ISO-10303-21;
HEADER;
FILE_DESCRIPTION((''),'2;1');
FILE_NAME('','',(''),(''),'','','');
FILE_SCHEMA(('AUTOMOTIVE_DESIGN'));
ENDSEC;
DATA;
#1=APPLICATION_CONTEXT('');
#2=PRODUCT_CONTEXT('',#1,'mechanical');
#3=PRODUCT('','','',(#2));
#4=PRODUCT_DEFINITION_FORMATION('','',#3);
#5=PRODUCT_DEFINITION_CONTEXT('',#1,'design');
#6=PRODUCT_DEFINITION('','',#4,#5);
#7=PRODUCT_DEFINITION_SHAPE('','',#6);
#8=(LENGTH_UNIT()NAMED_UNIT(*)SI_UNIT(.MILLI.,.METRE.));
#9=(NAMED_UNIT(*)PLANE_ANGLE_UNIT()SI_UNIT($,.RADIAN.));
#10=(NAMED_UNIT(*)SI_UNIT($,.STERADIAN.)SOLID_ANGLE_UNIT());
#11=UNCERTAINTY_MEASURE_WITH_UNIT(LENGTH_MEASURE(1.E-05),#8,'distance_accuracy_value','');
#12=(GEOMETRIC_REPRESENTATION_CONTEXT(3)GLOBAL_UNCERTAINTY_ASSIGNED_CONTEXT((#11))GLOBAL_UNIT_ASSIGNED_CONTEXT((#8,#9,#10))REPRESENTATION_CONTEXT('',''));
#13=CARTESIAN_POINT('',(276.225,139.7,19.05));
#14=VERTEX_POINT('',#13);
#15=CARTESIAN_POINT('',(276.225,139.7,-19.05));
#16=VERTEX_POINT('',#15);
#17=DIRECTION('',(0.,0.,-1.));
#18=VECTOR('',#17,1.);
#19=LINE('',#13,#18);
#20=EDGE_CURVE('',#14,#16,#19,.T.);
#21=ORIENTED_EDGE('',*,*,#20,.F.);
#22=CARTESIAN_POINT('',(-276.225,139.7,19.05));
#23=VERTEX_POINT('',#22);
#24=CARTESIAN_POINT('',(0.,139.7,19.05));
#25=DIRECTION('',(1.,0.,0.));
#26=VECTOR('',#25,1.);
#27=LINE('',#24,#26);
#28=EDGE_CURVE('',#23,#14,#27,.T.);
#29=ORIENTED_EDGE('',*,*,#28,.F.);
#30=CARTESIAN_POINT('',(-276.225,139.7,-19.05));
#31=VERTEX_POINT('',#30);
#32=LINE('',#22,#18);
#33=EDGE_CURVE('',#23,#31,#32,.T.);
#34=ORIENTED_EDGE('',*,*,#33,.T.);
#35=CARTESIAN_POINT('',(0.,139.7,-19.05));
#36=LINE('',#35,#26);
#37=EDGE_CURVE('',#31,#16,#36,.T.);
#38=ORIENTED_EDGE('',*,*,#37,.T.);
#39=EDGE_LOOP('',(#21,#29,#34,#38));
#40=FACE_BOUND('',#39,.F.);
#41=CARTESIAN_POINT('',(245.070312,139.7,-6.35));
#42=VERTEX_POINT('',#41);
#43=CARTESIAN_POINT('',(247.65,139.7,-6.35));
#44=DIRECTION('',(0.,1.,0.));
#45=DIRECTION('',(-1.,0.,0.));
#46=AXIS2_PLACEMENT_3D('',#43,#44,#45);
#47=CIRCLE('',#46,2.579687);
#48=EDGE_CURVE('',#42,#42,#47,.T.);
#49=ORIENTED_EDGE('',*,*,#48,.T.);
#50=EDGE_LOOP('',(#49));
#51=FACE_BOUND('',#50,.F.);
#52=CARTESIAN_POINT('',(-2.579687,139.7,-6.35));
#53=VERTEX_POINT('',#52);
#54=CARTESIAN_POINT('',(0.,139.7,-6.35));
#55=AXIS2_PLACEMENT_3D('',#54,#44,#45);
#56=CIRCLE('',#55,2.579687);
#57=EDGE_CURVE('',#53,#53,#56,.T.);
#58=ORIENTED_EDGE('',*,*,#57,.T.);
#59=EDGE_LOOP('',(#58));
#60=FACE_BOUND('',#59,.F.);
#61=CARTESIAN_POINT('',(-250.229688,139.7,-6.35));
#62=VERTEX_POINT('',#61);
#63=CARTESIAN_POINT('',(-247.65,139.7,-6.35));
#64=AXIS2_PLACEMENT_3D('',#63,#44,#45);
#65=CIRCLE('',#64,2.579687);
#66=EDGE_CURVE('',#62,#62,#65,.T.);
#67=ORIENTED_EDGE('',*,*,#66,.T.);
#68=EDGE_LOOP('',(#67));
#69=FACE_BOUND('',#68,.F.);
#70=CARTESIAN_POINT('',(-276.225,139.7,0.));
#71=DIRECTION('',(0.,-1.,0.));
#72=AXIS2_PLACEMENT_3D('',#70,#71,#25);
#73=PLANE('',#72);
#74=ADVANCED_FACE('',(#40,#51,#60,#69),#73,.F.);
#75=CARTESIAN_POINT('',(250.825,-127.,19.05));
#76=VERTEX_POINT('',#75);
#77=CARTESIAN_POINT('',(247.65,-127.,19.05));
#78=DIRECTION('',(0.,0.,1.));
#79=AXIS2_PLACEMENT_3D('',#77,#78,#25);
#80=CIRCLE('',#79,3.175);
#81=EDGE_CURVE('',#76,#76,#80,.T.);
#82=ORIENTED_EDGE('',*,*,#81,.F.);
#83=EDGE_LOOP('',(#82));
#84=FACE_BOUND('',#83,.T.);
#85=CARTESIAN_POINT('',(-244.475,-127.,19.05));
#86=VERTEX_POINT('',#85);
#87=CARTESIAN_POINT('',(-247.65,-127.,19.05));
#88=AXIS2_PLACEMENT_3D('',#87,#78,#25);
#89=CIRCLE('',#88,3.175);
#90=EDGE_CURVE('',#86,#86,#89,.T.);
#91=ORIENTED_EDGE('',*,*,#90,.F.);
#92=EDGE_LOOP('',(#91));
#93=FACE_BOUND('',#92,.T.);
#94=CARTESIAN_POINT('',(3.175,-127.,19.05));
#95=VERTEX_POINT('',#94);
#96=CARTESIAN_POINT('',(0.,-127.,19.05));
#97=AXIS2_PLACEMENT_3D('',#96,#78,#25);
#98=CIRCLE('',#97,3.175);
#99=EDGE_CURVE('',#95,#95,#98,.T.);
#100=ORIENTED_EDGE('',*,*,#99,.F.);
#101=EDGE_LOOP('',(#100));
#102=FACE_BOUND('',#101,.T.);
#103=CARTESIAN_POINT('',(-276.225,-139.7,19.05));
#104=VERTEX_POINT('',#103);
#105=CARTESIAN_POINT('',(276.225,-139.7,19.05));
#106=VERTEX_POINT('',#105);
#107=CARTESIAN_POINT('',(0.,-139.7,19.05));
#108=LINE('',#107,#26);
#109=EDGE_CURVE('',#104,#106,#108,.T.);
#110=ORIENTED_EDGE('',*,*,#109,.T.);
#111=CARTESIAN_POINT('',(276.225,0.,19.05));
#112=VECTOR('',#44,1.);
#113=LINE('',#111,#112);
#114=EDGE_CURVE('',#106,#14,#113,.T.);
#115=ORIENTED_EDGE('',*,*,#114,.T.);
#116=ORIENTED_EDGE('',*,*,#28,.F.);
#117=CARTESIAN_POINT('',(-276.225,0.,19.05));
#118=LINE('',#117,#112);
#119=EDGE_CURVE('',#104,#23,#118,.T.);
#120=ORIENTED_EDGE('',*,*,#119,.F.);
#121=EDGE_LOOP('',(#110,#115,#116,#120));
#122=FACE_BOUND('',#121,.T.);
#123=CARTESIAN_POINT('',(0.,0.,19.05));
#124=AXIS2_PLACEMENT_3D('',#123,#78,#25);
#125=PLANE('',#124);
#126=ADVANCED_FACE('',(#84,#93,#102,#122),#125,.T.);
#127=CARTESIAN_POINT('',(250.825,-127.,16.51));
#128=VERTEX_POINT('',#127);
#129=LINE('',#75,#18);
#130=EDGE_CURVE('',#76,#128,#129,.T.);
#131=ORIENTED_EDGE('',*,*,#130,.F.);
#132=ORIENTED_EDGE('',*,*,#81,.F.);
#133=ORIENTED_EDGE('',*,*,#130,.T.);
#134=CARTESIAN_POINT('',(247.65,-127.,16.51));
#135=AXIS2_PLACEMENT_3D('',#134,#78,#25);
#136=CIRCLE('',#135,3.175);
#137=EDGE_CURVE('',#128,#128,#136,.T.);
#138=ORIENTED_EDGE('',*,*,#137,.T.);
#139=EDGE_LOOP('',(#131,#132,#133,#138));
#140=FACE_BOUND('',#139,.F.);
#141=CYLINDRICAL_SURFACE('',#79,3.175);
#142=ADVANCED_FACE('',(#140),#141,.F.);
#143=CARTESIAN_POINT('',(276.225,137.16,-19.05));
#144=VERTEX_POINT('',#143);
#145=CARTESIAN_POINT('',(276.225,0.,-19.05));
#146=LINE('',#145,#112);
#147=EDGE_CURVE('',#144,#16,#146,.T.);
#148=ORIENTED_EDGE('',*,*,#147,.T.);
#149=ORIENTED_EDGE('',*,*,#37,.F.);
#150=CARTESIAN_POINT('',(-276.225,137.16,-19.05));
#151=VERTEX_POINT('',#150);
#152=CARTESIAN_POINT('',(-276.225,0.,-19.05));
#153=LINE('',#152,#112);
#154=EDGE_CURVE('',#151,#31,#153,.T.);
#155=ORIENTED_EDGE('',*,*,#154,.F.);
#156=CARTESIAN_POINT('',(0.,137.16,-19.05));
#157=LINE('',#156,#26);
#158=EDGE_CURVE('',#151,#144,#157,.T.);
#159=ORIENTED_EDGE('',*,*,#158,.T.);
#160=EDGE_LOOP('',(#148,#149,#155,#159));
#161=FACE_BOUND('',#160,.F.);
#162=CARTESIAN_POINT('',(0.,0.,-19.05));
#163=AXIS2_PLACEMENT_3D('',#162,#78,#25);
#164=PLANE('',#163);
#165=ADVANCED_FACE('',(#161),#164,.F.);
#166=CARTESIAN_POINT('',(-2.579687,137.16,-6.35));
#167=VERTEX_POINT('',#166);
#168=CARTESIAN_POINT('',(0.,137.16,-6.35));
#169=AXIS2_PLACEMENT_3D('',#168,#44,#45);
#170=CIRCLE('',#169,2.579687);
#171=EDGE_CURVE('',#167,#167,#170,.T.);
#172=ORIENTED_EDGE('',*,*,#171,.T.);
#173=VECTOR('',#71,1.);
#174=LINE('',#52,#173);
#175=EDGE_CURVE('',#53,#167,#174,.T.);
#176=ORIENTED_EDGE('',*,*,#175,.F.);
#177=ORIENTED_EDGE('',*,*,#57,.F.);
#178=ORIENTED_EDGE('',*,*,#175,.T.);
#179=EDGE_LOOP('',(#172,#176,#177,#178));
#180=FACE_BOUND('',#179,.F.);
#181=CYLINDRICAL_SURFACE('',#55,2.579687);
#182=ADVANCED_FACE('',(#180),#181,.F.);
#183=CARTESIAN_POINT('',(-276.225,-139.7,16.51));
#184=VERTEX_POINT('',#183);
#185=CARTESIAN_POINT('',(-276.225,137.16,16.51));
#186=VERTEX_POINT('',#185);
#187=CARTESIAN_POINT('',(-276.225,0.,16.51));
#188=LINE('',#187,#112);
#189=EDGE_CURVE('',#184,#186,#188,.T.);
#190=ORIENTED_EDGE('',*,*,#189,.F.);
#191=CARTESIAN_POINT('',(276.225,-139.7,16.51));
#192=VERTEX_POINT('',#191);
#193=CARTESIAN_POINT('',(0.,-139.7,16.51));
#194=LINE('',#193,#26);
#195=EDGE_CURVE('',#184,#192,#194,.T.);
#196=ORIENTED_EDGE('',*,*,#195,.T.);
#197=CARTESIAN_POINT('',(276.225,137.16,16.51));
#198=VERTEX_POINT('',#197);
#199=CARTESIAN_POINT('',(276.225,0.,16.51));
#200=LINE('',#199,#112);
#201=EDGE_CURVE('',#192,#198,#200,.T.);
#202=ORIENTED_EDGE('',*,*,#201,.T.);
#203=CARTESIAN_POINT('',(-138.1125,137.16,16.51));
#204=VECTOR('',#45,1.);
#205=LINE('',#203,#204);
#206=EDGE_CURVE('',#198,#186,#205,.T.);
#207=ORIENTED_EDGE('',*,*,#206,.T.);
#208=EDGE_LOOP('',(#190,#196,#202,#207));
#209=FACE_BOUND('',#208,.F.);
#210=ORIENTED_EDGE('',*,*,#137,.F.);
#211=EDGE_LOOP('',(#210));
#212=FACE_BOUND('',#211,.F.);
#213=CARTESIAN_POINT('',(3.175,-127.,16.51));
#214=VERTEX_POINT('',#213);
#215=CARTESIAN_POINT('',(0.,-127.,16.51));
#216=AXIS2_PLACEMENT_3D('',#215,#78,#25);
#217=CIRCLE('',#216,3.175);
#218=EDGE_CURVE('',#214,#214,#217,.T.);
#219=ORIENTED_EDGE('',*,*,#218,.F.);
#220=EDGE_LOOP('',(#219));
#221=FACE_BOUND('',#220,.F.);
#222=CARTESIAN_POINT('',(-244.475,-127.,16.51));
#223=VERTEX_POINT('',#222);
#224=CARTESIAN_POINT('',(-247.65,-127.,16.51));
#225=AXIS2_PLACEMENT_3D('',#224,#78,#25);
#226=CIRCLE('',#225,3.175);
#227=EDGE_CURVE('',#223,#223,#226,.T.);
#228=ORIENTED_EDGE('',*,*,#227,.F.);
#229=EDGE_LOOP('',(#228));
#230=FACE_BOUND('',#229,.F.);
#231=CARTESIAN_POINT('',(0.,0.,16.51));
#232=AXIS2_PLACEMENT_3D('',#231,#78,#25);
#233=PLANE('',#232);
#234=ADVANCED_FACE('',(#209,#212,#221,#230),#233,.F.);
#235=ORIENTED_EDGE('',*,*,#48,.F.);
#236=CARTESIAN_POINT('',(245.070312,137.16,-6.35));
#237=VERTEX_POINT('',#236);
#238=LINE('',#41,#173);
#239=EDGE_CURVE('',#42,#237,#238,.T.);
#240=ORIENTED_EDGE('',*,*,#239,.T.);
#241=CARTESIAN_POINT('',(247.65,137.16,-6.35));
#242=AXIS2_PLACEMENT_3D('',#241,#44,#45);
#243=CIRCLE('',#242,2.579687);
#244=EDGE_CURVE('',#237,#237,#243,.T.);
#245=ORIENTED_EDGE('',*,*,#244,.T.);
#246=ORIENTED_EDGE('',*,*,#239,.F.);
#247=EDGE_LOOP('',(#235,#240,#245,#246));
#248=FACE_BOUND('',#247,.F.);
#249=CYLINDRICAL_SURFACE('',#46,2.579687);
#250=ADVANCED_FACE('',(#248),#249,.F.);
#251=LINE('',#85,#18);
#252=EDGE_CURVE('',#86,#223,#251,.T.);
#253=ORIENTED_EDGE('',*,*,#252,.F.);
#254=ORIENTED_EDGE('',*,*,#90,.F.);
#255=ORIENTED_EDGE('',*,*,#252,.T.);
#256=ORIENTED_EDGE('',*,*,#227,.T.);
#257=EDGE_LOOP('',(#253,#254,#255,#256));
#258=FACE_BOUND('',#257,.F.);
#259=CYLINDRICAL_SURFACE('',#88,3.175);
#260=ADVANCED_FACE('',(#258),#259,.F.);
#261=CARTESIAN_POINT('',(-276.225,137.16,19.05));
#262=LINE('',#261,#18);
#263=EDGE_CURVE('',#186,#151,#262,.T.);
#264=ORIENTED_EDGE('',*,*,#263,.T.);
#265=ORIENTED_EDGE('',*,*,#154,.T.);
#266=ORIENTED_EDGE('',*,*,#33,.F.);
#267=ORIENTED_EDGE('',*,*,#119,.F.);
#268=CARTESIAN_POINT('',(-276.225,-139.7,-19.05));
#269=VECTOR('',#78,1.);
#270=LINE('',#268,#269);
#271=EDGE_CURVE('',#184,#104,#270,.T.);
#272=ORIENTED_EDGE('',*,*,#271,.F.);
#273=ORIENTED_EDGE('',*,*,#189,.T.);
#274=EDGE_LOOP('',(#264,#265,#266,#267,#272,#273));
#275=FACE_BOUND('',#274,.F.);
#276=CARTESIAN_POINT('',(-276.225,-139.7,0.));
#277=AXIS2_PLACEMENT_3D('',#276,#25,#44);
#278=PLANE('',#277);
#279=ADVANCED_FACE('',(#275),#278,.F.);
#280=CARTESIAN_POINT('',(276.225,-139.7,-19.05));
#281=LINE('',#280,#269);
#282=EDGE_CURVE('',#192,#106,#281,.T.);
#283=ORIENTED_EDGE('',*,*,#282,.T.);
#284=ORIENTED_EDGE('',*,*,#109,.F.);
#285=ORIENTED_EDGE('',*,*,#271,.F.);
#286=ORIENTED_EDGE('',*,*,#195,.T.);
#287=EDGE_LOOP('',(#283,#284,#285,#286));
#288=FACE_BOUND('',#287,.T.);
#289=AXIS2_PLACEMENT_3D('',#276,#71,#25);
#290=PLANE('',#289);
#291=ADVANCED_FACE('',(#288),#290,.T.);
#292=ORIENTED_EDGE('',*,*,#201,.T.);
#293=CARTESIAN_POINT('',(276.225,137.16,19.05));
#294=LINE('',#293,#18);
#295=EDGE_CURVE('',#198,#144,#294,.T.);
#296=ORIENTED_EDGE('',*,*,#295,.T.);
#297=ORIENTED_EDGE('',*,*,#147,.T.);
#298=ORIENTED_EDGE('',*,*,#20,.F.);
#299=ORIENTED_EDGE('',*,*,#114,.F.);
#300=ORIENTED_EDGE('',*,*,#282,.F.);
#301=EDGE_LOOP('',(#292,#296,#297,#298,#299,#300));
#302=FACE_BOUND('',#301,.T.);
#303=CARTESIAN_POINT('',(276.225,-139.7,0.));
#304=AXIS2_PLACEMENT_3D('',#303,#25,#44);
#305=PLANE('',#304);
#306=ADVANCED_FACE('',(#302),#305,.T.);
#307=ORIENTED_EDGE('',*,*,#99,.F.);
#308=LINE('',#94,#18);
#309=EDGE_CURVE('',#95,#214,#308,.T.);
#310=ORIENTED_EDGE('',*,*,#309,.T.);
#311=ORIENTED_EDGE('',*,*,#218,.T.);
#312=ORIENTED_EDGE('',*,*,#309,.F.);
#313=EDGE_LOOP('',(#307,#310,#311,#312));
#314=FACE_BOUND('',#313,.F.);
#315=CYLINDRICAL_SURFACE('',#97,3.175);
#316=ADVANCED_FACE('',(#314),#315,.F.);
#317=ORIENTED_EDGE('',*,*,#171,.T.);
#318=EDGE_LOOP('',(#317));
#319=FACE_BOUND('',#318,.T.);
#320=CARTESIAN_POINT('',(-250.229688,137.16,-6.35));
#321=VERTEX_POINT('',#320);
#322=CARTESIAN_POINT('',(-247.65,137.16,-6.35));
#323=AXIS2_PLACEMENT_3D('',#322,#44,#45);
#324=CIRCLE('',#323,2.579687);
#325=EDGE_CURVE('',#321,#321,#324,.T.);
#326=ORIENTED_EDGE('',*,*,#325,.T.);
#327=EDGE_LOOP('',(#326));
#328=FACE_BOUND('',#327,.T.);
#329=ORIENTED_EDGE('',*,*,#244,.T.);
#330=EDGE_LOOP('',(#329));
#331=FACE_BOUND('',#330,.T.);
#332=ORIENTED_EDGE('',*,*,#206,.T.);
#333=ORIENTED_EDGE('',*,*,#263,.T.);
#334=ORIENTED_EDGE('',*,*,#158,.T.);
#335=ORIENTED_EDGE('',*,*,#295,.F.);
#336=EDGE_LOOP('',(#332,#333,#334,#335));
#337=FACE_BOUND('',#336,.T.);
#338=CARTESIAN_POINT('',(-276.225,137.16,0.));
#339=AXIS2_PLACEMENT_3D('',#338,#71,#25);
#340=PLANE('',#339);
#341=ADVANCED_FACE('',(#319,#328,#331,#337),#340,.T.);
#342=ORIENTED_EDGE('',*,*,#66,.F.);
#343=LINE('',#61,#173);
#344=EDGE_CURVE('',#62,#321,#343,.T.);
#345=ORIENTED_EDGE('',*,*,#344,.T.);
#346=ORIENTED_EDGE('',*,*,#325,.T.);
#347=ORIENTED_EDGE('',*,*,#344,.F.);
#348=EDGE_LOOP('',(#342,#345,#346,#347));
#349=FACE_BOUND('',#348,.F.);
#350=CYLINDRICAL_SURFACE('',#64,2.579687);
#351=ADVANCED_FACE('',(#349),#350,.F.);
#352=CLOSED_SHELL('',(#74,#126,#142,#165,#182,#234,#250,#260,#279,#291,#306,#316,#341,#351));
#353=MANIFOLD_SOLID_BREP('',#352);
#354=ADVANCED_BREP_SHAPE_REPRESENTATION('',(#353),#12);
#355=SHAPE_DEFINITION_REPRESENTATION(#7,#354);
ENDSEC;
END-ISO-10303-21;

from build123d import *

# Parameters (mm, degrees)
F0_W     = 552.45
F0_H     = 279.4
F1_DEPTH = 19.05
F2_T     = -2.54
F3_R     = 2.5796875
F4_DEPTH = 2.54
F5_R     = 3.175
F6_DEPTH = 38.101


with BuildPart() as f1:
    # F0 (on Top) → F1 (new body, symmetric)
    with BuildSketch(Plane.XY):
        Rectangle(F0_W, F0_H)
    extrude(amount=F1_DEPTH, both=True)

    # F2
    f2_openings = [f1.faces().sort_by_distance(p)[0] for p in [
        (0, -139.7, 0),
        (-276.225, 0, 0),
        (0, 0, -19.05),
        (276.225, 0, 0),
    ]]
    offset(amount=F2_T, openings=f2_openings)

    # F3 (on face) → F4 (cut, through all)
    with BuildSketch(Plane(origin=(0, 139.7, 0), x_dir=(-1, 0, 0), z_dir=(0, 1, 0))):
        with Locations((-247.65, -6.35)):
            Circle(F3_R)
        with Locations((0, -6.35)):
            Circle(F3_R)
        with Locations((247.65, -6.35)):
            Circle(F3_R)
    extrude(amount=-F4_DEPTH, mode=Mode.SUBTRACT)

    # F5 (on face) → F6 (cut, through all)
    with BuildSketch(Plane.XY.offset(19.05)):
        with Locations((-247.65, -127)):
            Circle(F5_R)
        with Locations((0, -127)):
            Circle(F5_R)
        with Locations((247.65, -127)):
            Circle(F5_R)
    extrude(amount=-F6_DEPTH, mode=Mode.SUBTRACT)


solid = f1.part
